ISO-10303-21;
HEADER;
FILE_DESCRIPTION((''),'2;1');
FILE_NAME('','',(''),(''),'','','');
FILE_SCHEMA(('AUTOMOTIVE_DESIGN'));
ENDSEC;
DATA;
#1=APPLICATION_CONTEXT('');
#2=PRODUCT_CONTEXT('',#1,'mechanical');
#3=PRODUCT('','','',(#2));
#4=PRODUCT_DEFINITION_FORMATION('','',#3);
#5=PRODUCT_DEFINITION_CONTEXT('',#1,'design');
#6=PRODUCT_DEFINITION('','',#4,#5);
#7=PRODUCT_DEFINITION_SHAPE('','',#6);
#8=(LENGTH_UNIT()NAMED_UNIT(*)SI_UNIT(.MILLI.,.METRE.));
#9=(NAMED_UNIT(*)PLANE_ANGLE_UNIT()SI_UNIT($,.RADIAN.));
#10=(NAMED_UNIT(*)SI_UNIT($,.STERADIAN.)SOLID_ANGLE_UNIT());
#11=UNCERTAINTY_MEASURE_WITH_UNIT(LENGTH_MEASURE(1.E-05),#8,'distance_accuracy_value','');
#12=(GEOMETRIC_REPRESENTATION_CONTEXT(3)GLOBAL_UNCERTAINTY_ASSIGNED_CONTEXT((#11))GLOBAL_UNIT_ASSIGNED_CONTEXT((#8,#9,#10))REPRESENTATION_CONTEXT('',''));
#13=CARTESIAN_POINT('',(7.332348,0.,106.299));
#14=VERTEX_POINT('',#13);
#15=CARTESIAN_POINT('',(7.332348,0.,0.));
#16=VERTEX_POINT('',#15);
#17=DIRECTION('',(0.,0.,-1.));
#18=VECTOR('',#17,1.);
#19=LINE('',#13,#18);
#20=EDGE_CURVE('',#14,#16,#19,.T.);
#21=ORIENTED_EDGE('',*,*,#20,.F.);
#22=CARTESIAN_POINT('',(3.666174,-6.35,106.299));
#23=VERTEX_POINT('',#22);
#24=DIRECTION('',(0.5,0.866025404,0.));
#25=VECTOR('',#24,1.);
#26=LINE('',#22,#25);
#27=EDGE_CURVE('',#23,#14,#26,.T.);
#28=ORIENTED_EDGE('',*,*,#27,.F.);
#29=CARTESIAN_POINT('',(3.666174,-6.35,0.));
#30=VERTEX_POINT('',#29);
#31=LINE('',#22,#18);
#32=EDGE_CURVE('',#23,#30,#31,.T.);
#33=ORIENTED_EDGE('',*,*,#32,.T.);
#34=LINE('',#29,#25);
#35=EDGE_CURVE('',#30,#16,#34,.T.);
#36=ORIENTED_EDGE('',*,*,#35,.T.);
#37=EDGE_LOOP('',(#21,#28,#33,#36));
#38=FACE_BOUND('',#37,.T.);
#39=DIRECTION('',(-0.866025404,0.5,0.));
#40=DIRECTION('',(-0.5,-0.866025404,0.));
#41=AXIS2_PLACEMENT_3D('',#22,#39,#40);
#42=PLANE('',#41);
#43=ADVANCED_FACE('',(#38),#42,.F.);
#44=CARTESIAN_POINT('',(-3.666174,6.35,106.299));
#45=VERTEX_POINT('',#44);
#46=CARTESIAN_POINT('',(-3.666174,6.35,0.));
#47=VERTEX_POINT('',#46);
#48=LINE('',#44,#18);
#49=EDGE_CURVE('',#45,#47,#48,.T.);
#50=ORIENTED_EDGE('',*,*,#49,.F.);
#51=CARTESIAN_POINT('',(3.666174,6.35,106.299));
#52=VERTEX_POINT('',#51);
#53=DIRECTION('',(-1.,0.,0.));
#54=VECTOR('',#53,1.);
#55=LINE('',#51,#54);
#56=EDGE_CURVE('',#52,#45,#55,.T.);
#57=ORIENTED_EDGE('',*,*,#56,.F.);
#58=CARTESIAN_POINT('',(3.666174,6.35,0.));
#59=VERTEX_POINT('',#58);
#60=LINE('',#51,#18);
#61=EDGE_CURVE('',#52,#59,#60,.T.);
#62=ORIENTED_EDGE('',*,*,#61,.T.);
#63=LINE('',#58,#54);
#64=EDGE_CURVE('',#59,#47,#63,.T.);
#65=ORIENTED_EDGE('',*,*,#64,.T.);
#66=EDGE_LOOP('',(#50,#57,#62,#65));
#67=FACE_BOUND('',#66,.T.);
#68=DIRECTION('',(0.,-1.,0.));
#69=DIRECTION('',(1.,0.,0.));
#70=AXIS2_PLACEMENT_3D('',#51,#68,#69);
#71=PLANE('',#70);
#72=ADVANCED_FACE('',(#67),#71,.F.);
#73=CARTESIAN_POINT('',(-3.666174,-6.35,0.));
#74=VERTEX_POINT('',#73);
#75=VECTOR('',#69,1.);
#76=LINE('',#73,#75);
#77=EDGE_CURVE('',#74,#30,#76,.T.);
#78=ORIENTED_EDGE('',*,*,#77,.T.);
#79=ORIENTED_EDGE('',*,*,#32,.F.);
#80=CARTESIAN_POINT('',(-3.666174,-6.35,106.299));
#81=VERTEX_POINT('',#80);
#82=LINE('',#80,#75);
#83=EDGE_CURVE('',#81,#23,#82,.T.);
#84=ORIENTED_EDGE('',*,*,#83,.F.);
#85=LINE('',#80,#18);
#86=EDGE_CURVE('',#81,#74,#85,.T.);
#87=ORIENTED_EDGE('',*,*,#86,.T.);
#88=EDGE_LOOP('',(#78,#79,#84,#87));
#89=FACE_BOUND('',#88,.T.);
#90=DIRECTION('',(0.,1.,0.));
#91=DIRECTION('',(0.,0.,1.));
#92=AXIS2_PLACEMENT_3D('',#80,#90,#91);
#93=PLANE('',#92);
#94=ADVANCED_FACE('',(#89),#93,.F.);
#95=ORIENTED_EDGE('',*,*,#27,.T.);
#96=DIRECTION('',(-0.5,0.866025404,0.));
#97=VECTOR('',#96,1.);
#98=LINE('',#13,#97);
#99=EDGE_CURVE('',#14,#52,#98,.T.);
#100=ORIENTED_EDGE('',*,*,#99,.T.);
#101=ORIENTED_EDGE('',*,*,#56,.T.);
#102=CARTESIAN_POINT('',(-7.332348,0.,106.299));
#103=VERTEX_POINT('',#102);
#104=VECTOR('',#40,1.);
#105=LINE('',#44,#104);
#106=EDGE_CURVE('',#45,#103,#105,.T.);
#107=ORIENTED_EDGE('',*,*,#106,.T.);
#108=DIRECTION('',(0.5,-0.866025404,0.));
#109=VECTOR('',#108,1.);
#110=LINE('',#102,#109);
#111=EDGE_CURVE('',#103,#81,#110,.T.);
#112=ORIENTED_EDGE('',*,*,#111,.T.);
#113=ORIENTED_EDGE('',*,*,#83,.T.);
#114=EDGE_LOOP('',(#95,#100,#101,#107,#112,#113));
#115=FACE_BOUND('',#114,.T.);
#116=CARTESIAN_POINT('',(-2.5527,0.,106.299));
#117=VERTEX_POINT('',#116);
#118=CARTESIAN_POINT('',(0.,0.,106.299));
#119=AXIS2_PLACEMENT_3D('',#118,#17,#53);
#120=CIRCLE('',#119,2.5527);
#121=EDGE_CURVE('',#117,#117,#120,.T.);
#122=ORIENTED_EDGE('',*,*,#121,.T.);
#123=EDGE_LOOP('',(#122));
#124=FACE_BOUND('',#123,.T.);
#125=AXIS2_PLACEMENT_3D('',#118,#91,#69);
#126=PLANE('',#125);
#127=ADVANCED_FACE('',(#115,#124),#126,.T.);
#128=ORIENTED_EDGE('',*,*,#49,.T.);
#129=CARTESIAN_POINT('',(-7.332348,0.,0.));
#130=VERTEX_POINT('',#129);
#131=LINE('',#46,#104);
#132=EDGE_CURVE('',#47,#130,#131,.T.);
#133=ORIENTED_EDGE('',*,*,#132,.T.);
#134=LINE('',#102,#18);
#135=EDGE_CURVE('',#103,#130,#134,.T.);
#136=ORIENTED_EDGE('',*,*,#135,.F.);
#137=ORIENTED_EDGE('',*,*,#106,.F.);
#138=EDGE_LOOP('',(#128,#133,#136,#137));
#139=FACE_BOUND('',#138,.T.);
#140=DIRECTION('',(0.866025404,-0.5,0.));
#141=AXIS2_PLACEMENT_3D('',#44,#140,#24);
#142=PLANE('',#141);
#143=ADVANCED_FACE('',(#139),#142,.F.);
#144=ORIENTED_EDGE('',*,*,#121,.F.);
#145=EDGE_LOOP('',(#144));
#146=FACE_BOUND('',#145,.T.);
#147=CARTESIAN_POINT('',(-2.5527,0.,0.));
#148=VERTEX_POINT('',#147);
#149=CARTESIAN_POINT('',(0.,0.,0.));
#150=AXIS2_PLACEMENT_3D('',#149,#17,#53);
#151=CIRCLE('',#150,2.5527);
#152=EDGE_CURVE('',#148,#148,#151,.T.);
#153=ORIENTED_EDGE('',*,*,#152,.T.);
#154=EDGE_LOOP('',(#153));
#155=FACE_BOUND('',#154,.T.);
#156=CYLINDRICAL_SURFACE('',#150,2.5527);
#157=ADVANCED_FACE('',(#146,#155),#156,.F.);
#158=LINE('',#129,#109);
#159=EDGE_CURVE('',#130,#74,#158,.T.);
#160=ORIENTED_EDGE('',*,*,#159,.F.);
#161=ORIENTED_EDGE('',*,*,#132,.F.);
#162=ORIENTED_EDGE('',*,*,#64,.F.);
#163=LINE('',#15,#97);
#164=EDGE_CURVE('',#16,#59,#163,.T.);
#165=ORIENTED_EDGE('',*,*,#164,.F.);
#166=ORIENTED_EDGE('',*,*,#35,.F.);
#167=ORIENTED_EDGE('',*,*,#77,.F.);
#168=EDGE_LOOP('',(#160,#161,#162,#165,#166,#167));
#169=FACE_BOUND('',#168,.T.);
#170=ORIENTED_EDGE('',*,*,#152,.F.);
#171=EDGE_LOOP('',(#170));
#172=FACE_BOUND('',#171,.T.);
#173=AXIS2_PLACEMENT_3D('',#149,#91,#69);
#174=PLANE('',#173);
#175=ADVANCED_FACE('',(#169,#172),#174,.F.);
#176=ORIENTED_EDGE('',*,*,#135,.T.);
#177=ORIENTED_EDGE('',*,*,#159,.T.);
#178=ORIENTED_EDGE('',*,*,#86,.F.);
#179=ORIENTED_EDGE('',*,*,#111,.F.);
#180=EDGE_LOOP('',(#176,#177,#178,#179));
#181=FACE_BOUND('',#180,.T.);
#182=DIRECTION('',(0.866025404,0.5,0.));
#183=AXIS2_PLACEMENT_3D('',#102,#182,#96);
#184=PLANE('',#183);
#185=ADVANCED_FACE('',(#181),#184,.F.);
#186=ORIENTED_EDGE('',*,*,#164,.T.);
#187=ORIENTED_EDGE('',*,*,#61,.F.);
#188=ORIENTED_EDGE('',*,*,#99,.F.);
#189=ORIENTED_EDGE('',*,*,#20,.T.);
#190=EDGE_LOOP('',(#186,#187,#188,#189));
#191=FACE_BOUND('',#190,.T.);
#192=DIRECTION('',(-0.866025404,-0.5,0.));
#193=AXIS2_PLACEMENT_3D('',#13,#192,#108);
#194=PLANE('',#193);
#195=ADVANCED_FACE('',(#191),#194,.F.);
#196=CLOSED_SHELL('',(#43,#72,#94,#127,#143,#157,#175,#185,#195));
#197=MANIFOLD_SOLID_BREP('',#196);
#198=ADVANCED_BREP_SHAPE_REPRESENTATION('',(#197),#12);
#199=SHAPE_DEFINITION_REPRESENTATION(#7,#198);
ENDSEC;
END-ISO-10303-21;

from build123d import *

# Parameters (mm, degrees)
BOSS_EXTRUDE1_DEPTH     = 106.299
F_1_4_20_TAPPED_HOLE1_D = 5.1054


with BuildPart() as part:
    # Sketch1 → Boss-Extrude1 (new body)
    with BuildSketch(Plane.XY):
        Polygon((3.666174209, -6.35), (7.332348419, 0), (3.666174209, 6.35), (-3.666174209, 6.35), (-7.332348419, 0), (-3.666174209, -6.35), align=None)
    extrude(amount=BOSS_EXTRUDE1_DEPTH)

    # 1/4-20 Tapped Hole1 (through all)
    with Locations(Plane(origin=(0, 0, 0), x_dir=(-1, 0, 0), z_dir=(0, 0, -1))):
        with Locations((0, 0)):
            Hole(F_1_4_20_TAPPED_HOLE1_D / 2)


solid = part.part
